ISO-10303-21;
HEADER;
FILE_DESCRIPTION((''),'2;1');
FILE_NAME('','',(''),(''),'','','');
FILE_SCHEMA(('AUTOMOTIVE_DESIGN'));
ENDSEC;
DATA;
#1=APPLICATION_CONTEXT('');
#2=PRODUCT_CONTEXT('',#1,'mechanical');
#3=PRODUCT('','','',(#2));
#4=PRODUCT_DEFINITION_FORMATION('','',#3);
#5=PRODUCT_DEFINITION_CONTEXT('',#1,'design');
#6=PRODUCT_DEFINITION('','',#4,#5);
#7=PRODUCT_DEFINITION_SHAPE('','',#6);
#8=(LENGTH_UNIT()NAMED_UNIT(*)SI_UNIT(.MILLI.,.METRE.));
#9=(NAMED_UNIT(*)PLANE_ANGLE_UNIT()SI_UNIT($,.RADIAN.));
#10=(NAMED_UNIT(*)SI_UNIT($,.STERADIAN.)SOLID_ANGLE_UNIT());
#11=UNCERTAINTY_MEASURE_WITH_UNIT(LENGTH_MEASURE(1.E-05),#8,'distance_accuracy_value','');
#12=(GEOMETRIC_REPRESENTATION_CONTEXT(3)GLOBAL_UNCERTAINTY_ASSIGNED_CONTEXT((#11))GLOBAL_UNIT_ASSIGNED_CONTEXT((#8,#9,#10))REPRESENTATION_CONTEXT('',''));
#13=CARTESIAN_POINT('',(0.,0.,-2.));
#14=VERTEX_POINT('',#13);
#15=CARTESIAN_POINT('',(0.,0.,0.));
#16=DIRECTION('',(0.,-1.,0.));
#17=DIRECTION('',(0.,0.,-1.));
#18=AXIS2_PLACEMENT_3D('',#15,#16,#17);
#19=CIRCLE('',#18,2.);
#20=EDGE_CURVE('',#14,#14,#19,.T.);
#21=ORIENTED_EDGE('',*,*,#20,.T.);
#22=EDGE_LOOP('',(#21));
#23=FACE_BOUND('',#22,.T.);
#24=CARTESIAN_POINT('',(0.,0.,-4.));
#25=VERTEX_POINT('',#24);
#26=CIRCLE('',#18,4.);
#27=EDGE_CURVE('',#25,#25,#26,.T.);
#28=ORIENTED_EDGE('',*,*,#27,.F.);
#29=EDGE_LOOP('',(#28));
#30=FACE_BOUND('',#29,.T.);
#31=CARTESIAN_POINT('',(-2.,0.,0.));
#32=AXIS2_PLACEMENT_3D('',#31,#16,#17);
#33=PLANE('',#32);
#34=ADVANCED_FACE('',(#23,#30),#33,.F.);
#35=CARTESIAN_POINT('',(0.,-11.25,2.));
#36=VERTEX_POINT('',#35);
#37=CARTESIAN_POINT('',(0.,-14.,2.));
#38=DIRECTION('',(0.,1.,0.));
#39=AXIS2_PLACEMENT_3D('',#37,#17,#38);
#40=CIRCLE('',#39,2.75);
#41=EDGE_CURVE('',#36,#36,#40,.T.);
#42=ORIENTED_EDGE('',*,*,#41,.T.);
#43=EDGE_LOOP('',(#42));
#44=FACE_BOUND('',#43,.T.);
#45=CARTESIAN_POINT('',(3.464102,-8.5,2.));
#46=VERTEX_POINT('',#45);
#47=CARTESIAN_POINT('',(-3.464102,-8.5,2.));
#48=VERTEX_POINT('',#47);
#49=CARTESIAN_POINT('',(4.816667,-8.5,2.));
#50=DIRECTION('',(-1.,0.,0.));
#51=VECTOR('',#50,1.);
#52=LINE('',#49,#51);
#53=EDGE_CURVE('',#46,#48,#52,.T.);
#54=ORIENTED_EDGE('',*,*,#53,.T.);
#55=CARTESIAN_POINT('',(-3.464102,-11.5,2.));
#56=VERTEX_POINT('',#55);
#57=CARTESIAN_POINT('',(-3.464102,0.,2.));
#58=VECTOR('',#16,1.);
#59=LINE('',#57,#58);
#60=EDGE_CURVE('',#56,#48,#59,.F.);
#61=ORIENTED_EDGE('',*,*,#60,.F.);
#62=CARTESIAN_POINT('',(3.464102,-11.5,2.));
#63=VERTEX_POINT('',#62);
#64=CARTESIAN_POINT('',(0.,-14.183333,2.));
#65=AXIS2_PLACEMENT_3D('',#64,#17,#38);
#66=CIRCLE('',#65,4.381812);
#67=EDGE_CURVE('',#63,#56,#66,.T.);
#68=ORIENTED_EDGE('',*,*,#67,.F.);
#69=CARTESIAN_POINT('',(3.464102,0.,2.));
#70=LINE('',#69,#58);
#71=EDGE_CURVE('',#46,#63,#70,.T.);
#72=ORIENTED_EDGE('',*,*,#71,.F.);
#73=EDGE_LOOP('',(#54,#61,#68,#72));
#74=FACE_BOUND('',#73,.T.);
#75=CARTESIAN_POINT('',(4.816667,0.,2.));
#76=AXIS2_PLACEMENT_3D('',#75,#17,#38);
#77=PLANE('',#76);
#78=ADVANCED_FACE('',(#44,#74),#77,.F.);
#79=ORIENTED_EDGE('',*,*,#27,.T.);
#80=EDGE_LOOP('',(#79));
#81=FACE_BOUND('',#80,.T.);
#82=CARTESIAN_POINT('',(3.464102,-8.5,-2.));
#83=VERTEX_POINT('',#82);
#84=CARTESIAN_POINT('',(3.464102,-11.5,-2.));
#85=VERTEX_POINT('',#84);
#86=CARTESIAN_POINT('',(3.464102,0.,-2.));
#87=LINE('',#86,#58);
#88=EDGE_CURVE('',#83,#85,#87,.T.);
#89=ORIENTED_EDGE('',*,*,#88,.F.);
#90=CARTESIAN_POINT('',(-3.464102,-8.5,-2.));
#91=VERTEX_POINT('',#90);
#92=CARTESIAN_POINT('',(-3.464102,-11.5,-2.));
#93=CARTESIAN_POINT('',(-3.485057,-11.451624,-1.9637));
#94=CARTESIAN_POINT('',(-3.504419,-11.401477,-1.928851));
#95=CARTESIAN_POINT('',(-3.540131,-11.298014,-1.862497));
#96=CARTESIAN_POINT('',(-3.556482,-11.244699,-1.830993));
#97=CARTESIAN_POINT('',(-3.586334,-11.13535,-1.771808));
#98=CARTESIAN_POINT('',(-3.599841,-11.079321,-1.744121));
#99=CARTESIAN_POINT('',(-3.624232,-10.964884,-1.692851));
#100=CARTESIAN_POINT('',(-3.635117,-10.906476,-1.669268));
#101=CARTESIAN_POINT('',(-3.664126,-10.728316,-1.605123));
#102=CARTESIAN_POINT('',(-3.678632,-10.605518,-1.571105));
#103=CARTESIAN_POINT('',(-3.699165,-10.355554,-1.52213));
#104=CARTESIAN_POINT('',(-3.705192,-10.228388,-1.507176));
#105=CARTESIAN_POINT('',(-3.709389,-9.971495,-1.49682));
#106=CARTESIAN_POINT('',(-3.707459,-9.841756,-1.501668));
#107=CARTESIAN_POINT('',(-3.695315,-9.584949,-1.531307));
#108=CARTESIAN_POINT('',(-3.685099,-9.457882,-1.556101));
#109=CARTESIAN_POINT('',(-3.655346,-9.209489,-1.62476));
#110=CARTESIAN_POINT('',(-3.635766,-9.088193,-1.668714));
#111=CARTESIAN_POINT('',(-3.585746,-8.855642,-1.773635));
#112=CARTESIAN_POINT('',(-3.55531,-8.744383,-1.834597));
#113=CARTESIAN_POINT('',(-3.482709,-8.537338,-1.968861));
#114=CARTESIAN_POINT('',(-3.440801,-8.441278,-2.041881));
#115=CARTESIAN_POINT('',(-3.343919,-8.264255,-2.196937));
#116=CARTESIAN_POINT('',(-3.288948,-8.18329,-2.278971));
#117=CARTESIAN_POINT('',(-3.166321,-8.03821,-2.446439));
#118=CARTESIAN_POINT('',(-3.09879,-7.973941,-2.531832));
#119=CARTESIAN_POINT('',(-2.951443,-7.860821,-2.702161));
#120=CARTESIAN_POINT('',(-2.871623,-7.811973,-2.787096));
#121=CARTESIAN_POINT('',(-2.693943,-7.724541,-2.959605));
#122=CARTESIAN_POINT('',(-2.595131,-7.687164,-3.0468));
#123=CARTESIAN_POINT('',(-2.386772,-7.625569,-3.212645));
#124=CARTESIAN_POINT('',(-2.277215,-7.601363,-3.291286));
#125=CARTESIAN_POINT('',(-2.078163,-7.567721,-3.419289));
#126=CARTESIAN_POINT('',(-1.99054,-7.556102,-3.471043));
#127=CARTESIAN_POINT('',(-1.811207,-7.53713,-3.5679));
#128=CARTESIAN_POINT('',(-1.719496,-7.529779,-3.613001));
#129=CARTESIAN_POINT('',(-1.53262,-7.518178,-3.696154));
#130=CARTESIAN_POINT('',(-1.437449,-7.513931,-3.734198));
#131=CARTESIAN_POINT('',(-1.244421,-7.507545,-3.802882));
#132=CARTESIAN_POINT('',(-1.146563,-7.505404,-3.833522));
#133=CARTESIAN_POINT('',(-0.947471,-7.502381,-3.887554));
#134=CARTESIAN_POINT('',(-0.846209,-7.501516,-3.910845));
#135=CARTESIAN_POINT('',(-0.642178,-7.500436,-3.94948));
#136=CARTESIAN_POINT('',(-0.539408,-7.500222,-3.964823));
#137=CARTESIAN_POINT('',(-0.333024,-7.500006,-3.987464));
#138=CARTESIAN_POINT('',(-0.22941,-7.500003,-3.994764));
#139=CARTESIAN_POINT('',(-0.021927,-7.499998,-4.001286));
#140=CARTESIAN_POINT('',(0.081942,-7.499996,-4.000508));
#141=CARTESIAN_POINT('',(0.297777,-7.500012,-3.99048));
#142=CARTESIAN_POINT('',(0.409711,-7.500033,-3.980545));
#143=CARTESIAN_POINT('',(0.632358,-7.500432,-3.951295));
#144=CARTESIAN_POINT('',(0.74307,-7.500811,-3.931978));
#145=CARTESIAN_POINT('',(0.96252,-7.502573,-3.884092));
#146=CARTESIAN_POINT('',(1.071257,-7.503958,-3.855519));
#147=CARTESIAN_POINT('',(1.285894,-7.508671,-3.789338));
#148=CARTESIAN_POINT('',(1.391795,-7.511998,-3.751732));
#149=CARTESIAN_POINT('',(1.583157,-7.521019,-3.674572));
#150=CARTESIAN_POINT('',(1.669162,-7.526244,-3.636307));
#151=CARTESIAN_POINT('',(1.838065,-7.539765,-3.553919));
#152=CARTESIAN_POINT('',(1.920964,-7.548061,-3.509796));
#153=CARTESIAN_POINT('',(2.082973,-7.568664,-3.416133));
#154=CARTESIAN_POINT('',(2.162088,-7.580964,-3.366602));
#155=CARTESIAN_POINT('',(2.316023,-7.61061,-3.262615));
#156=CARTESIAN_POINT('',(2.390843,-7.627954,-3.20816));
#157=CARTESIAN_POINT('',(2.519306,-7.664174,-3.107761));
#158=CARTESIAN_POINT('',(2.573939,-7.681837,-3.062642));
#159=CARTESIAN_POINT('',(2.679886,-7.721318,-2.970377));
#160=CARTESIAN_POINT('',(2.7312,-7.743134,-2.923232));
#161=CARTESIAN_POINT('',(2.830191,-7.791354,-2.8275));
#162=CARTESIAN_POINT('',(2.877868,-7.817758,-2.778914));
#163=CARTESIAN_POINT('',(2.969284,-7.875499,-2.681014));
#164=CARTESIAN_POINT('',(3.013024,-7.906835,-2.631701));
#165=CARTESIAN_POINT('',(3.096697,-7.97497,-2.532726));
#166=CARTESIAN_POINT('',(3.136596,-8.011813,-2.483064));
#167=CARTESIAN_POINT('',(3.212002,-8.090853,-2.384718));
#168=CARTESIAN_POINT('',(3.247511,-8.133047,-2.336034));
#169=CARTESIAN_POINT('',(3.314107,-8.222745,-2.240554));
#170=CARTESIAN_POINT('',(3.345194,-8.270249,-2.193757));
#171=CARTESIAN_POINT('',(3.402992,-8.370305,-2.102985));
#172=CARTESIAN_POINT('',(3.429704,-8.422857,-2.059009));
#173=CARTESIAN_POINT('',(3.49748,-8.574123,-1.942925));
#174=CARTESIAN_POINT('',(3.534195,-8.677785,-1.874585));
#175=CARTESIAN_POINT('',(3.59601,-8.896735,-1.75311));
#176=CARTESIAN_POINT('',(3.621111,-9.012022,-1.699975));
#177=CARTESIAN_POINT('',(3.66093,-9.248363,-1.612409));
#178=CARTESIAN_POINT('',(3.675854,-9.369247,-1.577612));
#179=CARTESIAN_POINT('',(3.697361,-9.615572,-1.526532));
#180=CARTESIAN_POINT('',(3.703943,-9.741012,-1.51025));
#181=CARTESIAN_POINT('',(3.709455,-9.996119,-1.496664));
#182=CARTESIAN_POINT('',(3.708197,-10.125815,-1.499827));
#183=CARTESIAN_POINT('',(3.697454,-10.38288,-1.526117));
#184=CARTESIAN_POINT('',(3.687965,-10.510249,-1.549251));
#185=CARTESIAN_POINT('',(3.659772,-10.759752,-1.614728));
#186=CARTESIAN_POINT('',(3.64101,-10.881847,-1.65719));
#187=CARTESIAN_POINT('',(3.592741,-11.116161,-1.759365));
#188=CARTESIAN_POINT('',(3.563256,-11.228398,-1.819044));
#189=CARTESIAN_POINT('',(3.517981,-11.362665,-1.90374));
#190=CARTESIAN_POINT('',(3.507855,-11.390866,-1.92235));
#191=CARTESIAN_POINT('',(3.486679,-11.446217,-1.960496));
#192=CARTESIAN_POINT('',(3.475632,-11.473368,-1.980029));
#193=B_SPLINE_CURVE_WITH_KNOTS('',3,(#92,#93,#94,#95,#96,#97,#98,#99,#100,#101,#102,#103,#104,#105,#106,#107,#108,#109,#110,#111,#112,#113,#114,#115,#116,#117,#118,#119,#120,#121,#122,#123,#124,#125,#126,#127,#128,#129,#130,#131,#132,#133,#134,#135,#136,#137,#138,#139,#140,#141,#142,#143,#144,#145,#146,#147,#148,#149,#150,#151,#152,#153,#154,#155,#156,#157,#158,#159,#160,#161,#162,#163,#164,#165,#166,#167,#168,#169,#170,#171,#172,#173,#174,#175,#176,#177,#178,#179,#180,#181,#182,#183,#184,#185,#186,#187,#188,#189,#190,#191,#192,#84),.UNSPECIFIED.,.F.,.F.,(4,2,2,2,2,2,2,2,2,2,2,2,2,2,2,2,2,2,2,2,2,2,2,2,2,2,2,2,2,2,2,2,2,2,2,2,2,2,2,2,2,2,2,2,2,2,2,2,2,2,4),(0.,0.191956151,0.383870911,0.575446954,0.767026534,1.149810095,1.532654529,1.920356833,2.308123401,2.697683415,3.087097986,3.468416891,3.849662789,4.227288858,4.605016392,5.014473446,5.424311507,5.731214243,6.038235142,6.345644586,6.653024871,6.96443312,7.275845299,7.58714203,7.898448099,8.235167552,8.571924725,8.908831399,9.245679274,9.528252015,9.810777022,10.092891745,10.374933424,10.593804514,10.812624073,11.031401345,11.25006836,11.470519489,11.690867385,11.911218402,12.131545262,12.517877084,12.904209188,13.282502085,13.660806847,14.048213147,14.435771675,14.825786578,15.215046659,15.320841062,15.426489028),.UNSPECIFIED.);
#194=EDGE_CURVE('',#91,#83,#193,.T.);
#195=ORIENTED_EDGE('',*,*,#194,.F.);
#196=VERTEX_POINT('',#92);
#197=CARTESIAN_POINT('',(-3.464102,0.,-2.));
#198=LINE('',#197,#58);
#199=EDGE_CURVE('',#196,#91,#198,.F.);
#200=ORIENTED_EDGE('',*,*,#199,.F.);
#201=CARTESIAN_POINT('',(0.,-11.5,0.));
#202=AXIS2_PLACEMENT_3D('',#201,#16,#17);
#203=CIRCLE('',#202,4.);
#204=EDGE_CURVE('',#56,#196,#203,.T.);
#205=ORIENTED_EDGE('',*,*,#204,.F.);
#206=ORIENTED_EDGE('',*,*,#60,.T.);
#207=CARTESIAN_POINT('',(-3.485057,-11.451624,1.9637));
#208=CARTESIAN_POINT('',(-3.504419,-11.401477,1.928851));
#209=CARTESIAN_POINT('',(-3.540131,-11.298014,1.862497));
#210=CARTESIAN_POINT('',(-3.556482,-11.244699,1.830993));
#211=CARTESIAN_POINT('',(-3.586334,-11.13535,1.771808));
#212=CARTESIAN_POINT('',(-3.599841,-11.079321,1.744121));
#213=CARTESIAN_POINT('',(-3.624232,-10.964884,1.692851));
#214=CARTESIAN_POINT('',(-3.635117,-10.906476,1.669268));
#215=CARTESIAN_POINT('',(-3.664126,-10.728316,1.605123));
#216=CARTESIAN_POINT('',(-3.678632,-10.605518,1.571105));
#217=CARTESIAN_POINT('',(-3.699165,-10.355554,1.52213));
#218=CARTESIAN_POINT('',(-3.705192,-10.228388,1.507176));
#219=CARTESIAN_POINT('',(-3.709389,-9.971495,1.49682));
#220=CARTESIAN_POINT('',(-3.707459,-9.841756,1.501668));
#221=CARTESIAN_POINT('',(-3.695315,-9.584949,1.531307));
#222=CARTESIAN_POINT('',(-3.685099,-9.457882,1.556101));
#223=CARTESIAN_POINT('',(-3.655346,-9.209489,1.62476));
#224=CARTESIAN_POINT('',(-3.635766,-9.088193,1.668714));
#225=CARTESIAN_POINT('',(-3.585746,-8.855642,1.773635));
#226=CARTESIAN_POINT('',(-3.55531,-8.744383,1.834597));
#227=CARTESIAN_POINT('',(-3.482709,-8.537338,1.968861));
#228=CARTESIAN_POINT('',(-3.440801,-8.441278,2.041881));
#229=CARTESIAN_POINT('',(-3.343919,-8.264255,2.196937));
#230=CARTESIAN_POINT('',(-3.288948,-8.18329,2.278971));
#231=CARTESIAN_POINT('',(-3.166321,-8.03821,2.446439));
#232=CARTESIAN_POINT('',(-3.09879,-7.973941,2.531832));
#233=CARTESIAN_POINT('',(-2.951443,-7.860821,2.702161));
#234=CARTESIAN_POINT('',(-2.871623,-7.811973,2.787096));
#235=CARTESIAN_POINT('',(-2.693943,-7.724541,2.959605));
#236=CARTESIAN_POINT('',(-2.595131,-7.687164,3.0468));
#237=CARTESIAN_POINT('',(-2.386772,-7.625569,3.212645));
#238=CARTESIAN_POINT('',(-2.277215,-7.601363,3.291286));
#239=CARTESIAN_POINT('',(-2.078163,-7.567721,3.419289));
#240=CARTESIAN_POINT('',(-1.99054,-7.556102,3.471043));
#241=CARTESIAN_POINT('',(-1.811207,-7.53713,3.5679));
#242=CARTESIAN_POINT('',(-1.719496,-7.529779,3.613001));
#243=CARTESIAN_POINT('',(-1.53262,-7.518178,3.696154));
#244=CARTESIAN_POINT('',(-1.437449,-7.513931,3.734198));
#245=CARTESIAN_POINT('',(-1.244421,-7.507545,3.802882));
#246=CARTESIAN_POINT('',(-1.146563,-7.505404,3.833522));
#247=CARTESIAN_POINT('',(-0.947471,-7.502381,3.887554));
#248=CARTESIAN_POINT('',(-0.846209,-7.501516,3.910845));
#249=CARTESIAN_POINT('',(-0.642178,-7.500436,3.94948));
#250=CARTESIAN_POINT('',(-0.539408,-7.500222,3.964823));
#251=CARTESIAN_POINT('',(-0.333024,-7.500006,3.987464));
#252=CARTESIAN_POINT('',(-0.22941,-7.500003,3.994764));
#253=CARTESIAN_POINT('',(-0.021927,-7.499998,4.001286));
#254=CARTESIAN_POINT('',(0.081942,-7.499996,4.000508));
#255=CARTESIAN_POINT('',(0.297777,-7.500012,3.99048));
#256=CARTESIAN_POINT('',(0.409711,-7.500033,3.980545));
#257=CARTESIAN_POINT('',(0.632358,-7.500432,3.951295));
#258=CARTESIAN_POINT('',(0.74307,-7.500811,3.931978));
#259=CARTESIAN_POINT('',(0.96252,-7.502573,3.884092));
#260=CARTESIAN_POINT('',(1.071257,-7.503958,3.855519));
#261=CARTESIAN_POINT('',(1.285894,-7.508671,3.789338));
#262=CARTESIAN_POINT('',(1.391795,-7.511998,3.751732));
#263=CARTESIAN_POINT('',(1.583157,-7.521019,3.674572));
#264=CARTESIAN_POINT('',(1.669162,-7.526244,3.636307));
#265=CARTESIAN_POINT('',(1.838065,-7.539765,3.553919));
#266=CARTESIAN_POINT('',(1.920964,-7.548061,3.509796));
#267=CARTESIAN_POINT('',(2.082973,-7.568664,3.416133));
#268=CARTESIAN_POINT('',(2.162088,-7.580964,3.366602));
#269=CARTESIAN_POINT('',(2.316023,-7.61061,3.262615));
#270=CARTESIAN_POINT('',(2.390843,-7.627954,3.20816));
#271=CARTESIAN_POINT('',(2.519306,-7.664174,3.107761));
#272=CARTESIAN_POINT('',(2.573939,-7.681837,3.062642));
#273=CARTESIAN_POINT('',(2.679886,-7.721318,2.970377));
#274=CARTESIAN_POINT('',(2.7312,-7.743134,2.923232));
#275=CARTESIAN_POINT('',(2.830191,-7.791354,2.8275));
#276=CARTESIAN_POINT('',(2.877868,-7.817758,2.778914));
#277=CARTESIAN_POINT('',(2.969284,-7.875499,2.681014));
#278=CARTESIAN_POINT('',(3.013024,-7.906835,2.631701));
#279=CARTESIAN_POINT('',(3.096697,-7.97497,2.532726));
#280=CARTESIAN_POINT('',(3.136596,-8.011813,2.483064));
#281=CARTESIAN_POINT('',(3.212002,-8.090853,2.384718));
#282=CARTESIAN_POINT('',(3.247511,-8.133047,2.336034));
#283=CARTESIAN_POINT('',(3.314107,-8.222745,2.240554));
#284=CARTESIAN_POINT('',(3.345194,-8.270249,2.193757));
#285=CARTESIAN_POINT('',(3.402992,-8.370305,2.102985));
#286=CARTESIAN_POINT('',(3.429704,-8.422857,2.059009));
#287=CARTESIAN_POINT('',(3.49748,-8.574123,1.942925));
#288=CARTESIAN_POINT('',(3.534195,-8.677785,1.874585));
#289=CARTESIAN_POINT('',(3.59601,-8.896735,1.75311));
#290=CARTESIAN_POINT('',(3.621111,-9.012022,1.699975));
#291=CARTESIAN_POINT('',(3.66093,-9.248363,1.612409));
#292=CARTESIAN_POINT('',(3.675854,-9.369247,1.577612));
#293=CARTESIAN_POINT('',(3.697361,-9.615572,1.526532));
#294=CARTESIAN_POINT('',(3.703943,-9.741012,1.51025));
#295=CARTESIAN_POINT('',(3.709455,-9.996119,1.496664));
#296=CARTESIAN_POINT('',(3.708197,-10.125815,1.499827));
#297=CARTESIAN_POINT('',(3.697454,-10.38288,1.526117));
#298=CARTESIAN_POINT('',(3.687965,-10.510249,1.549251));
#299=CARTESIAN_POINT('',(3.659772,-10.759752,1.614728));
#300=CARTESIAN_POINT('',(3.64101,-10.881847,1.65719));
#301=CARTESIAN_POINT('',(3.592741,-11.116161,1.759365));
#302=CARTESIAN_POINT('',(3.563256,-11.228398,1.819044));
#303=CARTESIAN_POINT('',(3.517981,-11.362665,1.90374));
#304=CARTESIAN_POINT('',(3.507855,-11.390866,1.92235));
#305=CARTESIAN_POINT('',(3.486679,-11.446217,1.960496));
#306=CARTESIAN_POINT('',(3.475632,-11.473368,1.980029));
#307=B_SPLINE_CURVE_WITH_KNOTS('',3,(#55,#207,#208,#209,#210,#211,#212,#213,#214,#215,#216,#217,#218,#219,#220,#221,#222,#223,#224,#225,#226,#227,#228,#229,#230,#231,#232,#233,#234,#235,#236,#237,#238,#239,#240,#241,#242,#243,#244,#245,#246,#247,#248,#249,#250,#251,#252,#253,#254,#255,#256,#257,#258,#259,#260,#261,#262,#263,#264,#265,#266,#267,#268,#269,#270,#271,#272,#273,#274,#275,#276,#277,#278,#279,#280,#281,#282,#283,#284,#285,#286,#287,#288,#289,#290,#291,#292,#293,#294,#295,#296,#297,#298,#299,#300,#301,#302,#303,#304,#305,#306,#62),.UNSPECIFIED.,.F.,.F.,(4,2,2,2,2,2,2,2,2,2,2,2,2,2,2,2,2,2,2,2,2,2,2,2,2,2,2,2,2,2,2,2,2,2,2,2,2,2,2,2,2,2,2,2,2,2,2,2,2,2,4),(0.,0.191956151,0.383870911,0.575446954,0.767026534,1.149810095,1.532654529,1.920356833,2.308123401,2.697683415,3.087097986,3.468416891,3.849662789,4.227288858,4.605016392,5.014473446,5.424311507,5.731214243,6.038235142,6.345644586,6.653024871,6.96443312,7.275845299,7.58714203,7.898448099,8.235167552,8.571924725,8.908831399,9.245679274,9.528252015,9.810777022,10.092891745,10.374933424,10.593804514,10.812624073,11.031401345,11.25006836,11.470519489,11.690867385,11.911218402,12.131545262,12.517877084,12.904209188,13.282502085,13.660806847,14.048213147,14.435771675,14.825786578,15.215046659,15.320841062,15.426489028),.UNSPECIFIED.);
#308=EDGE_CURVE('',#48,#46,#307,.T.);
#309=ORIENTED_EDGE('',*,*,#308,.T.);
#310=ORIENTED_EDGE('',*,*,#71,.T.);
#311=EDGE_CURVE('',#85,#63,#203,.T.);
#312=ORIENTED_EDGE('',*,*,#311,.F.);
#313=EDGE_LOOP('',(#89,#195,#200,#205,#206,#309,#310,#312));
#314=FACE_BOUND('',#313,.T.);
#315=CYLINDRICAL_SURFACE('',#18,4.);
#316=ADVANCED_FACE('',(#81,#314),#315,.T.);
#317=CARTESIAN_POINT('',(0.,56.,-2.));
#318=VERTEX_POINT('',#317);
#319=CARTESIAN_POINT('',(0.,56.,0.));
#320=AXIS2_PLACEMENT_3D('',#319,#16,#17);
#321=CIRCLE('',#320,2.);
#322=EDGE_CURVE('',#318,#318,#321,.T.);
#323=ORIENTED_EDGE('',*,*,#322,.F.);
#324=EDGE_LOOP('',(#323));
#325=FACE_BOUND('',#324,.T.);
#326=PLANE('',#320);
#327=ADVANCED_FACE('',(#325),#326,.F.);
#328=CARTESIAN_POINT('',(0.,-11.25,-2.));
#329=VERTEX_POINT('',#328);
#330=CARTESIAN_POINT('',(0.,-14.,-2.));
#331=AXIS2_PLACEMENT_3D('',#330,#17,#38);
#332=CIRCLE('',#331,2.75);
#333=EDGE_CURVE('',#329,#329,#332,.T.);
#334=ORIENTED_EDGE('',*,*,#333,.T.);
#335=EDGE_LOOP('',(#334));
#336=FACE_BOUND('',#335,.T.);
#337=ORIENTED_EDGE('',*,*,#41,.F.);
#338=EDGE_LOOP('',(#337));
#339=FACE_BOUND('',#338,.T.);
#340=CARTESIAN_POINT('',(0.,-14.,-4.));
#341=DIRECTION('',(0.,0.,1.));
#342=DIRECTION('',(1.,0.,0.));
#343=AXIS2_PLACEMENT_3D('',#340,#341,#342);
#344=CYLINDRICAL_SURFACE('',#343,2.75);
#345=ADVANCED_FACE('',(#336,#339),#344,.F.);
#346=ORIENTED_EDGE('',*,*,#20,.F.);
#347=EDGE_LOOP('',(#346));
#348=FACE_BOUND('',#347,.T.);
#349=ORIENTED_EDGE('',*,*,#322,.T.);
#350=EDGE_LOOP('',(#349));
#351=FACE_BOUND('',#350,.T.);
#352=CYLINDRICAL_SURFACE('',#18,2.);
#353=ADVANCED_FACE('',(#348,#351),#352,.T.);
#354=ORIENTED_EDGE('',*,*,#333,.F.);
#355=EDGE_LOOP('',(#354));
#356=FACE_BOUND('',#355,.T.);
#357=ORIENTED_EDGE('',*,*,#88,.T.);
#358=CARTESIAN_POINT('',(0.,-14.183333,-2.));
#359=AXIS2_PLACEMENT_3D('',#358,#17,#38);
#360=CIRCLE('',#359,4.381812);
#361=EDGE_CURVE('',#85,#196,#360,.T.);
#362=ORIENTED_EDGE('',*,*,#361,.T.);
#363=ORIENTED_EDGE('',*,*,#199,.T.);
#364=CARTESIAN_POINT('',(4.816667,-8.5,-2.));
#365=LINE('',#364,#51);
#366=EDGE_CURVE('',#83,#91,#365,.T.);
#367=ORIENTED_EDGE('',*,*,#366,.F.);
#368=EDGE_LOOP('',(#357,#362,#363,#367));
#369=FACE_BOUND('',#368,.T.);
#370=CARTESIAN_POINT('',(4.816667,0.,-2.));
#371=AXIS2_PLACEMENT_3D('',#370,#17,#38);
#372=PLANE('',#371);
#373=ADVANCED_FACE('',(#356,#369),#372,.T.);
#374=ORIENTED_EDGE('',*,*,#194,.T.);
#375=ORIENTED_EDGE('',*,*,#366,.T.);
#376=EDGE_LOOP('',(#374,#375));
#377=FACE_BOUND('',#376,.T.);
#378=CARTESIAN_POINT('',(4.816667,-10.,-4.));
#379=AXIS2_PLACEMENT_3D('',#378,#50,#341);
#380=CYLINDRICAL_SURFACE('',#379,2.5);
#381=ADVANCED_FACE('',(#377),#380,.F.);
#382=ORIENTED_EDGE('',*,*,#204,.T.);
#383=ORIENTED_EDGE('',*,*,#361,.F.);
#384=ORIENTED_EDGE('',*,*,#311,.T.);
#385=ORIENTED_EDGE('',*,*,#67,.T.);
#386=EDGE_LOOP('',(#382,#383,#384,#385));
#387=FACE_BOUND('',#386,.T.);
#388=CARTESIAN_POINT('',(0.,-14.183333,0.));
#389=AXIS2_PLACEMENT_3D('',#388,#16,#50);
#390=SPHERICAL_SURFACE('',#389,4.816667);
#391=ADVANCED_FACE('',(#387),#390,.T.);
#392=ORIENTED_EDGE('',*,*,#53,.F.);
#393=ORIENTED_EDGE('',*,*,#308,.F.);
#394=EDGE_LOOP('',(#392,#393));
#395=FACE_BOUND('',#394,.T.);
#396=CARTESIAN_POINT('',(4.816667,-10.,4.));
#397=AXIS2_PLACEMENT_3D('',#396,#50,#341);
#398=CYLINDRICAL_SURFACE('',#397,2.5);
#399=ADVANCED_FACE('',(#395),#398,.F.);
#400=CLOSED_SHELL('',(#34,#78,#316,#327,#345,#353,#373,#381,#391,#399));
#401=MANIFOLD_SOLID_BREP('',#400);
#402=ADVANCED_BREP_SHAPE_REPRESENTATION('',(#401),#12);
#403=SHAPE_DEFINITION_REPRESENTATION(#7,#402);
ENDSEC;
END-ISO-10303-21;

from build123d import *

# Parameters (mm, degrees)
CUT_EXTRUDE1_DEPTH      = 5.816666667
CUT_EXTRUDE1_DEPTH_BACK = 10
SKETCH3_R               = 2.75
CUT_EXTRUDE2_DEPTH      = 3.0000001
CUT_EXTRUDE2_DEPTH_BACK = 7.0000001


with BuildPart() as part:
    # Sketch1 → Revolve1 (revolve)
    with BuildSketch(Plane.XY):
        with BuildLine():
            Line((0, 0), (0, 56))
            Line((0, 56), (-2, 56))
            Line((-2, 56), (-2, 0))
            Line((-2, 0), (-4, 0))
            Line((-4, 0), (-4, -11.5))
            ThreePointArc((-4, -11.5), (-4.25, -16.45), (0, -19))
            Line((0, -19), (0, 0))
        make_face()
    revolve(axis=Axis((0, 0, 0), (0, 1, 0)))

    # Sketch2 → Cut-Extrude1 (cut, two sides)
    with BuildSketch(Plane(origin=(0, 0, 0), x_dir=(0, 0, -1), z_dir=(1, 0, 0))) as cut_extrude1_sk:
        with BuildLine():
            ThreePointArc((-2, -8.5), (-2.881966011, -7.763932023), (-4, -7.5))
            Line((-4, -7.5), (-4, -8.077978136))
            ThreePointArc((-4, -8.077978136), (-6.041123222, -13.901532194), (-2, -18.56514549))
            Line((-2, -18.56514549), (-2, -11.5))
            Line((-2, -11.5), (-2, -8.5))
        make_face()
        with BuildLine():
            Line((4, -8.077978136), (4, -7.5))
            ThreePointArc((4, -7.5), (2.881966011, -7.763932023), (2, -8.5))
            Line((2, -8.5), (2, -11.5))
            Line((2, -11.5), (2, -18.56514549))
            ThreePointArc((2, -18.56514549), (6.041123222, -13.901532194), (4, -8.077978136))
        make_face()
    extrude(amount=CUT_EXTRUDE1_DEPTH, mode=Mode.SUBTRACT)
    extrude(cut_extrude1_sk.sketch, amount=-CUT_EXTRUDE1_DEPTH_BACK, mode=Mode.SUBTRACT)

    # Sketch3 → Cut-Extrude2 (cut, two sides)
    with BuildSketch(Plane.XY.offset(2)) as cut_extrude2_sk:
        with Locations((0, -14)):
            Circle(SKETCH3_R)
    extrude(amount=CUT_EXTRUDE2_DEPTH, mode=Mode.SUBTRACT)
    extrude(cut_extrude2_sk.sketch, amount=-CUT_EXTRUDE2_DEPTH_BACK, mode=Mode.SUBTRACT)


solid = part.part
